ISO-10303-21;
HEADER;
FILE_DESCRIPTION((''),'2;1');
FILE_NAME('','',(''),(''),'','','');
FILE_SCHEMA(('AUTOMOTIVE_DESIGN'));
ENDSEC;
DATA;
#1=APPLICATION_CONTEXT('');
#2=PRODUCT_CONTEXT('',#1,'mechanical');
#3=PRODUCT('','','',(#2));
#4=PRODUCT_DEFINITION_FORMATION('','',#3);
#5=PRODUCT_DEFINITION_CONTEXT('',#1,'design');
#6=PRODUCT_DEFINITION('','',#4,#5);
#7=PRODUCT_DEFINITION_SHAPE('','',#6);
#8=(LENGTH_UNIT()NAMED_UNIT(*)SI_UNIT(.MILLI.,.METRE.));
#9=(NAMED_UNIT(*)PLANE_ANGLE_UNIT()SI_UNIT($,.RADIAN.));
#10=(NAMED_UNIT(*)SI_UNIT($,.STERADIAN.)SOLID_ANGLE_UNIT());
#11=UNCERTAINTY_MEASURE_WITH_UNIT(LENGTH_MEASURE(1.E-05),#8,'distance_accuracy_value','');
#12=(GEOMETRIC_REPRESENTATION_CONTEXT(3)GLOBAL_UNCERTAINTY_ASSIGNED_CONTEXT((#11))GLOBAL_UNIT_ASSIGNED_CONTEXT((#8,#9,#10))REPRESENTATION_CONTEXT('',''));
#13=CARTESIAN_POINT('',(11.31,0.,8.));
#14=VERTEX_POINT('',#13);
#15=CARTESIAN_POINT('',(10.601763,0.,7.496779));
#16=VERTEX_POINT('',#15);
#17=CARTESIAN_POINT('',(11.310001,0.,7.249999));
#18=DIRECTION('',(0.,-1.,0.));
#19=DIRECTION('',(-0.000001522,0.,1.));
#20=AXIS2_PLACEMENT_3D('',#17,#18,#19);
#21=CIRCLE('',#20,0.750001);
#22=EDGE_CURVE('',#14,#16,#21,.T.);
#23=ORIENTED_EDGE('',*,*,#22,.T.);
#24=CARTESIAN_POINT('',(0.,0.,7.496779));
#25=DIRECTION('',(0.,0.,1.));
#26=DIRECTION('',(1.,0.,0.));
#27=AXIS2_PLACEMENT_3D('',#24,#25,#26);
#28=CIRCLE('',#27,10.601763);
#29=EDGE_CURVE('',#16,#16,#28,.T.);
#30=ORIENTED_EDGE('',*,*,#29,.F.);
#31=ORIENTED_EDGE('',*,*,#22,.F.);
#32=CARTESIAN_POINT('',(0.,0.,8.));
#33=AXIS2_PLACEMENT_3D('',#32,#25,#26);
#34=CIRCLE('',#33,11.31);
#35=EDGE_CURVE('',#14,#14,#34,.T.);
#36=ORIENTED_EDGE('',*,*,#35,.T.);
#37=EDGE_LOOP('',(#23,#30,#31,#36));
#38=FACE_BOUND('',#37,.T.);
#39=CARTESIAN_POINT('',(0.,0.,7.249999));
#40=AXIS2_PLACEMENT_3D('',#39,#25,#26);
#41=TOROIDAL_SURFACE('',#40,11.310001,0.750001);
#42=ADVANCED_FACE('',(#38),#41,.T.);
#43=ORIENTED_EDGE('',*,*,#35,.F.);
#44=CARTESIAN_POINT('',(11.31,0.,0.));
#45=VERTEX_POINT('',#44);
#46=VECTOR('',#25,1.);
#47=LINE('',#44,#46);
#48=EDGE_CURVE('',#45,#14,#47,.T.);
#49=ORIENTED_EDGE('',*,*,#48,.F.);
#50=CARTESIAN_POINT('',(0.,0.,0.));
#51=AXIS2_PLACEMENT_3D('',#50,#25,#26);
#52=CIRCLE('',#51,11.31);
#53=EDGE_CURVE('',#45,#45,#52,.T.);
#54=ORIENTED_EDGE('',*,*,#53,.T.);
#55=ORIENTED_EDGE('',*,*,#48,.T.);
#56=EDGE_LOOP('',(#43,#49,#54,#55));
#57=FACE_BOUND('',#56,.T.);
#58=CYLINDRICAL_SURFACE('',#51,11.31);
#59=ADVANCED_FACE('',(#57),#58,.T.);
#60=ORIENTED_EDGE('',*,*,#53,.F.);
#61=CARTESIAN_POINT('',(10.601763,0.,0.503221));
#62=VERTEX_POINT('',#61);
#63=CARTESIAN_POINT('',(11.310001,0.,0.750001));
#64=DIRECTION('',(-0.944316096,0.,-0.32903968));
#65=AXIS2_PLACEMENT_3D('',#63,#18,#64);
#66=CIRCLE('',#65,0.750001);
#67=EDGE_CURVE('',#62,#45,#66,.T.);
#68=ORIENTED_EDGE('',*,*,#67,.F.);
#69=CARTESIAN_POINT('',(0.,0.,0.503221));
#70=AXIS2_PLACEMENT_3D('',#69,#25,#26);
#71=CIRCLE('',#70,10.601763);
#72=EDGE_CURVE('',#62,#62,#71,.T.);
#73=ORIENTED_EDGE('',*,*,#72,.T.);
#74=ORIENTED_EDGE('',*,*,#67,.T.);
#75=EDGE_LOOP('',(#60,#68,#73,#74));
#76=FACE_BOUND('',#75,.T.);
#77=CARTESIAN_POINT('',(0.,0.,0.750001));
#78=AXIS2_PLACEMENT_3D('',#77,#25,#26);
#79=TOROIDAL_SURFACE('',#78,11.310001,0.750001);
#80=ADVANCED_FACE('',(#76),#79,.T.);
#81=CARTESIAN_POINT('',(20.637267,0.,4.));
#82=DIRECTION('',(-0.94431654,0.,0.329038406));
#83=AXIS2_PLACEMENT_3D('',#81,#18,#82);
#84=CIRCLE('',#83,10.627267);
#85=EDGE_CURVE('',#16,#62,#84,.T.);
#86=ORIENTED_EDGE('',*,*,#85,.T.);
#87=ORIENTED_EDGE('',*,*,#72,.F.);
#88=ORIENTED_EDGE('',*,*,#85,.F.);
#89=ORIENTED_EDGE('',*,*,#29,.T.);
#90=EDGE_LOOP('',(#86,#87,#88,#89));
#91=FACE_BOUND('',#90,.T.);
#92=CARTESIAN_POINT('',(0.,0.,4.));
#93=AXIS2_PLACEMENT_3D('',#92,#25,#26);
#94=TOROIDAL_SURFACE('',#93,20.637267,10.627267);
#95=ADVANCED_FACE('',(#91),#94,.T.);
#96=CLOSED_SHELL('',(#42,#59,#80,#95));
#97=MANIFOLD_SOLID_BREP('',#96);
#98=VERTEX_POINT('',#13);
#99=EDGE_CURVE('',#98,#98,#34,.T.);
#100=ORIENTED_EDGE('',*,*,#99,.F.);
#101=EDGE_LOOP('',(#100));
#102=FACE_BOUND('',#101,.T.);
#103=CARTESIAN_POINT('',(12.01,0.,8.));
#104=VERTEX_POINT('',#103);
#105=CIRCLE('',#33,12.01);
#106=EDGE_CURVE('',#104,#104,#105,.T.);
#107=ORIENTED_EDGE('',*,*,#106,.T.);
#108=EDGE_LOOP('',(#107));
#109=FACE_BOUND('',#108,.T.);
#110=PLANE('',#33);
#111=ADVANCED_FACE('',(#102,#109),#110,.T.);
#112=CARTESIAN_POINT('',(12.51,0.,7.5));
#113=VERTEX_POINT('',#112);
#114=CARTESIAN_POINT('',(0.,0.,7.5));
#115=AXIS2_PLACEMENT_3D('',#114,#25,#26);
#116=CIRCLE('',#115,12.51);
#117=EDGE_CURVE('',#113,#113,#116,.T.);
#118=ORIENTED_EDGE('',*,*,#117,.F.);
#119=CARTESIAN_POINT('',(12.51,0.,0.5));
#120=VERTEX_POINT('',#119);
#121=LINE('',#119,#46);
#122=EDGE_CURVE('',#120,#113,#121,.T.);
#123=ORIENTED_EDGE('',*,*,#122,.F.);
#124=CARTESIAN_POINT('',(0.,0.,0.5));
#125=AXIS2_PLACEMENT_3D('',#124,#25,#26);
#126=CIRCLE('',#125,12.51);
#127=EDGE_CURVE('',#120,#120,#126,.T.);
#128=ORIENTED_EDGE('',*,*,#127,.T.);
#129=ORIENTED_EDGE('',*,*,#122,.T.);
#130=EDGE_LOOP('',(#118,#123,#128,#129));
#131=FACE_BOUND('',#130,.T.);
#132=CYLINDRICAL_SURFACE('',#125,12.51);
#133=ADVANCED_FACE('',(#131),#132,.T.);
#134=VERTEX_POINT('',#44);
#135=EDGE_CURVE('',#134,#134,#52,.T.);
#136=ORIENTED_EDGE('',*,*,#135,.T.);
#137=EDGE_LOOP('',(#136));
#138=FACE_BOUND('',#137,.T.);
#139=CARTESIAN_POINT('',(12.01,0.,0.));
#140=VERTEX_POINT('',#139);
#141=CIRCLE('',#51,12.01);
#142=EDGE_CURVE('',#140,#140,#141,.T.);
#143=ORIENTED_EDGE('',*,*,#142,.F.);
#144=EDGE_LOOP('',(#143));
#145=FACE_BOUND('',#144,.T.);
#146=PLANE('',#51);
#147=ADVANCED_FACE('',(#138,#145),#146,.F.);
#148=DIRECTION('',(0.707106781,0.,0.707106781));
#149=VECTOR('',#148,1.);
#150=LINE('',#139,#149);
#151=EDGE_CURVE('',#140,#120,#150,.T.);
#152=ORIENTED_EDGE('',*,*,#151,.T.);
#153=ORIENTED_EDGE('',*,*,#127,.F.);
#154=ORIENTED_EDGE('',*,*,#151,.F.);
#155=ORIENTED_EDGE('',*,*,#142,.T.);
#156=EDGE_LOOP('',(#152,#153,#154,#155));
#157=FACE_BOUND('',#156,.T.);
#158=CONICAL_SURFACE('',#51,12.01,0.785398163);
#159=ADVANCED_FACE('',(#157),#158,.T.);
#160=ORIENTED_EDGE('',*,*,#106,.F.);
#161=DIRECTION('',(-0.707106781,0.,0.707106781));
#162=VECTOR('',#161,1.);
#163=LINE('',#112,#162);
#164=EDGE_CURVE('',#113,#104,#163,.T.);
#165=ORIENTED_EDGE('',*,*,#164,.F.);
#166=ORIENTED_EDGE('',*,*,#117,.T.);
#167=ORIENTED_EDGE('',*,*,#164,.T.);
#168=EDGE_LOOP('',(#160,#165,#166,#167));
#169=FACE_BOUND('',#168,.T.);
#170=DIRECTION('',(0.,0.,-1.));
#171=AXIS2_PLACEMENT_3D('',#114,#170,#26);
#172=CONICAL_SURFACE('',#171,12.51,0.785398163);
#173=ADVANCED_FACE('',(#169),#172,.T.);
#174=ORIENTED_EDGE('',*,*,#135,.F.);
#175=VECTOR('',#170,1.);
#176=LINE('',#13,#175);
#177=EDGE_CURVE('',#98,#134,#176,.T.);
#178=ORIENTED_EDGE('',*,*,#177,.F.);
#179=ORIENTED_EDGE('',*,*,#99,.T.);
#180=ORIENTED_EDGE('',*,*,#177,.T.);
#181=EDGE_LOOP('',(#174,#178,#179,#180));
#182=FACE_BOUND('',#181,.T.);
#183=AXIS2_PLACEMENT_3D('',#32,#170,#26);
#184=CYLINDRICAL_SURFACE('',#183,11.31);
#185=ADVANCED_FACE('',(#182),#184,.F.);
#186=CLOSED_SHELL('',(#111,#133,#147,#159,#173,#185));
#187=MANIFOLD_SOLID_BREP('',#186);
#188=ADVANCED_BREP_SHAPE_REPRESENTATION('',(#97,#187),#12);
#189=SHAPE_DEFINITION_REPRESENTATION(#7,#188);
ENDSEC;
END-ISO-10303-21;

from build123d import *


with BuildPart() as f1:
    # F0 (on Front) → F1 (revolve)
    with BuildSketch(Plane.XZ):
        with BuildLine():
            ThreePointArc((11.31, 8), (10.875595, 7.861385), (10.601763, 7.496779))
            ThreePointArc((10.601763, 7.496779), (10.01, 4), (10.601763, 0.503221))
            ThreePointArc((10.601763, 0.503221), (10.875595, 0.138615), (11.31, 0))
            Line((11.31, 0), (11.31, 8))
        make_face()
    revolve(axis=Axis((0, 0, 8.937099), (0, 0, 1)))


with BuildPart() as f2:
    # F0 (on Front) → F2 (revolve)
    with BuildSketch(Plane.XZ):
        Polygon((12.01, 8), (11.31, 8), (11.31, 0), (12.01, 0), (12.51, 0.5), (12.51, 7.5), align=None)
    revolve(axis=Axis((0, 0, 8.937099), (0, 0, 1)))


solid = Compound([f1.part, f2.part])
